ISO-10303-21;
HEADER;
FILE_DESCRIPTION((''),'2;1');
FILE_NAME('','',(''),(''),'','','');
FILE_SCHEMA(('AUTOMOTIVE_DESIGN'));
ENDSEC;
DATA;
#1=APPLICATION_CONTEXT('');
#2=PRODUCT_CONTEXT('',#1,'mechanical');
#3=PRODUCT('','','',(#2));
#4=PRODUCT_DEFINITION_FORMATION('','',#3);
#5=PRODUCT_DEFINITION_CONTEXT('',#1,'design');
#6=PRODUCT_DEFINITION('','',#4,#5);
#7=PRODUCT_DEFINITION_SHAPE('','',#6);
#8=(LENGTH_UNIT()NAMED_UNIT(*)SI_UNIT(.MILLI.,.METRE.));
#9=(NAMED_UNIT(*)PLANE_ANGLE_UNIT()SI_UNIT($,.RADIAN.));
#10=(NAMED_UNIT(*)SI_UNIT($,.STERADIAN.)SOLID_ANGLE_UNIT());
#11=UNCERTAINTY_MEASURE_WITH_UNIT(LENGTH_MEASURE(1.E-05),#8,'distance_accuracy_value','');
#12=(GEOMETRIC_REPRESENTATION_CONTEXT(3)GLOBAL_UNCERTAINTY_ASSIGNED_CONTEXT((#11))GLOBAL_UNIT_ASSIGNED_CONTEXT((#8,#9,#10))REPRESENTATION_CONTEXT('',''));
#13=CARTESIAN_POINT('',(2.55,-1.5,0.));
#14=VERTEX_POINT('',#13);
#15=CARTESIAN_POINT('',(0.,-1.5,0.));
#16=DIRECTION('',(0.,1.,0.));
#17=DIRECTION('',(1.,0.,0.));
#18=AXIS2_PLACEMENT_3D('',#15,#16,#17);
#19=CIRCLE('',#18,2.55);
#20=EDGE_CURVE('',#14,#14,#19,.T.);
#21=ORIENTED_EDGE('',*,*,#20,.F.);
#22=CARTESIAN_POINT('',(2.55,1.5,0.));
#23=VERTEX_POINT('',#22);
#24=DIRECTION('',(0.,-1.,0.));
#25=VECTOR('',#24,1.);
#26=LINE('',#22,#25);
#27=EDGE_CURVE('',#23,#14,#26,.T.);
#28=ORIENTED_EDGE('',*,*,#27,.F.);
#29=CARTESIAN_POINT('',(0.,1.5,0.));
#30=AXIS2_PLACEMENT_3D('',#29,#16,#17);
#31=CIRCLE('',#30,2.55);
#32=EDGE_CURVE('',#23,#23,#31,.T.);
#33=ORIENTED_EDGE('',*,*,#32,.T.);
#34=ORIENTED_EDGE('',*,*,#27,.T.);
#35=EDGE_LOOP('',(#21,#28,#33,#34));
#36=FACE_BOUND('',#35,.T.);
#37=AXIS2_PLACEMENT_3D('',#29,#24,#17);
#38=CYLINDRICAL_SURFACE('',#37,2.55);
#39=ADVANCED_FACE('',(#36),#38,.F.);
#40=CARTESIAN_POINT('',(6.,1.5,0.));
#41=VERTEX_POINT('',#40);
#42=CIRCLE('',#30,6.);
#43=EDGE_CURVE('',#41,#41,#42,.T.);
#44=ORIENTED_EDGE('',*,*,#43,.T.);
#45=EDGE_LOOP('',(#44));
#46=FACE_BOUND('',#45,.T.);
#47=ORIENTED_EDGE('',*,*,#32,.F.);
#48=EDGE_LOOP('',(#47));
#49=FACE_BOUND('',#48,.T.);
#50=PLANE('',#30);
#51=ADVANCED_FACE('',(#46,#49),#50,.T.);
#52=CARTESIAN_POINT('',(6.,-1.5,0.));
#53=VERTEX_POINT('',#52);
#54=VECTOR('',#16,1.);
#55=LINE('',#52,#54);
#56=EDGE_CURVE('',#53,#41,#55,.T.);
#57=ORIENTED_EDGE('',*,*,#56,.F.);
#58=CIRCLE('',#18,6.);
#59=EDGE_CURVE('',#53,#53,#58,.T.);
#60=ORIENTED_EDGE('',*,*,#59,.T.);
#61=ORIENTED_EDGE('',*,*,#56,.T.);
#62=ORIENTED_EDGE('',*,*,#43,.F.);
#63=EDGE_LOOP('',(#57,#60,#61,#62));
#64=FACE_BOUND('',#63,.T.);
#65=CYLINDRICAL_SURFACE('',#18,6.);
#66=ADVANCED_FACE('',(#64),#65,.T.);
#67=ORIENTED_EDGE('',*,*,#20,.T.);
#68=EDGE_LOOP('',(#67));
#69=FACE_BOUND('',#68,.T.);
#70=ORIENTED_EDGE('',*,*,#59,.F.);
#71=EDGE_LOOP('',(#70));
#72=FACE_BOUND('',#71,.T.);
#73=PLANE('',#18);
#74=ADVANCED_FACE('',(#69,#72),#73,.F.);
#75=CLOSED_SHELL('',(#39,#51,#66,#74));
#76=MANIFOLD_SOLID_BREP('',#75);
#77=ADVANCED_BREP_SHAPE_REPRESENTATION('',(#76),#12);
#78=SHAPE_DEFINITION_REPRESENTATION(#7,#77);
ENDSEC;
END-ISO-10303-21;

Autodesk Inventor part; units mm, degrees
ref_plane "YZ Plane" through (0, 0, 0) normal (1, 0, 0) x (0, 1, 0)
ref_plane "XZ Plane" through (0, 0, 0) normal (0, 1, 0) x (-1, 0, 0)
ref_plane "XY Plane" through (0, 0, 0) normal (0, 0, 1) x (1, 0, 0)
sketch "スケッチ1" plane through (0, 0, 0) normal (0, 0, 1) x (1, 0, 0)
  line L0 (2.55, 1.5) -> (2.55, -1.5)
  line L1 (2.55, -1.5) -> (6, -1.5)
  line L2 (6, -1.5) -> (6, 1.5)
  line L3 (6, 1.5) -> (2.55, 1.5)
  line L4 (0, -2.1) -> (0, 2.1) projected
  point P0 (0, 0)
  point P1 (2.55, 0)
  dimension "d1" = 2.55
  dimension "d2" = 6
  dimension "d3" = 3
revolve "回転1" add sketch "スケッチ1" angle 360 about axis through (0, -10, 0) along (0, 1, 0)
properties part number "膝_同軸_スペーサ_1_2" material "アセタール樹脂、黒"
